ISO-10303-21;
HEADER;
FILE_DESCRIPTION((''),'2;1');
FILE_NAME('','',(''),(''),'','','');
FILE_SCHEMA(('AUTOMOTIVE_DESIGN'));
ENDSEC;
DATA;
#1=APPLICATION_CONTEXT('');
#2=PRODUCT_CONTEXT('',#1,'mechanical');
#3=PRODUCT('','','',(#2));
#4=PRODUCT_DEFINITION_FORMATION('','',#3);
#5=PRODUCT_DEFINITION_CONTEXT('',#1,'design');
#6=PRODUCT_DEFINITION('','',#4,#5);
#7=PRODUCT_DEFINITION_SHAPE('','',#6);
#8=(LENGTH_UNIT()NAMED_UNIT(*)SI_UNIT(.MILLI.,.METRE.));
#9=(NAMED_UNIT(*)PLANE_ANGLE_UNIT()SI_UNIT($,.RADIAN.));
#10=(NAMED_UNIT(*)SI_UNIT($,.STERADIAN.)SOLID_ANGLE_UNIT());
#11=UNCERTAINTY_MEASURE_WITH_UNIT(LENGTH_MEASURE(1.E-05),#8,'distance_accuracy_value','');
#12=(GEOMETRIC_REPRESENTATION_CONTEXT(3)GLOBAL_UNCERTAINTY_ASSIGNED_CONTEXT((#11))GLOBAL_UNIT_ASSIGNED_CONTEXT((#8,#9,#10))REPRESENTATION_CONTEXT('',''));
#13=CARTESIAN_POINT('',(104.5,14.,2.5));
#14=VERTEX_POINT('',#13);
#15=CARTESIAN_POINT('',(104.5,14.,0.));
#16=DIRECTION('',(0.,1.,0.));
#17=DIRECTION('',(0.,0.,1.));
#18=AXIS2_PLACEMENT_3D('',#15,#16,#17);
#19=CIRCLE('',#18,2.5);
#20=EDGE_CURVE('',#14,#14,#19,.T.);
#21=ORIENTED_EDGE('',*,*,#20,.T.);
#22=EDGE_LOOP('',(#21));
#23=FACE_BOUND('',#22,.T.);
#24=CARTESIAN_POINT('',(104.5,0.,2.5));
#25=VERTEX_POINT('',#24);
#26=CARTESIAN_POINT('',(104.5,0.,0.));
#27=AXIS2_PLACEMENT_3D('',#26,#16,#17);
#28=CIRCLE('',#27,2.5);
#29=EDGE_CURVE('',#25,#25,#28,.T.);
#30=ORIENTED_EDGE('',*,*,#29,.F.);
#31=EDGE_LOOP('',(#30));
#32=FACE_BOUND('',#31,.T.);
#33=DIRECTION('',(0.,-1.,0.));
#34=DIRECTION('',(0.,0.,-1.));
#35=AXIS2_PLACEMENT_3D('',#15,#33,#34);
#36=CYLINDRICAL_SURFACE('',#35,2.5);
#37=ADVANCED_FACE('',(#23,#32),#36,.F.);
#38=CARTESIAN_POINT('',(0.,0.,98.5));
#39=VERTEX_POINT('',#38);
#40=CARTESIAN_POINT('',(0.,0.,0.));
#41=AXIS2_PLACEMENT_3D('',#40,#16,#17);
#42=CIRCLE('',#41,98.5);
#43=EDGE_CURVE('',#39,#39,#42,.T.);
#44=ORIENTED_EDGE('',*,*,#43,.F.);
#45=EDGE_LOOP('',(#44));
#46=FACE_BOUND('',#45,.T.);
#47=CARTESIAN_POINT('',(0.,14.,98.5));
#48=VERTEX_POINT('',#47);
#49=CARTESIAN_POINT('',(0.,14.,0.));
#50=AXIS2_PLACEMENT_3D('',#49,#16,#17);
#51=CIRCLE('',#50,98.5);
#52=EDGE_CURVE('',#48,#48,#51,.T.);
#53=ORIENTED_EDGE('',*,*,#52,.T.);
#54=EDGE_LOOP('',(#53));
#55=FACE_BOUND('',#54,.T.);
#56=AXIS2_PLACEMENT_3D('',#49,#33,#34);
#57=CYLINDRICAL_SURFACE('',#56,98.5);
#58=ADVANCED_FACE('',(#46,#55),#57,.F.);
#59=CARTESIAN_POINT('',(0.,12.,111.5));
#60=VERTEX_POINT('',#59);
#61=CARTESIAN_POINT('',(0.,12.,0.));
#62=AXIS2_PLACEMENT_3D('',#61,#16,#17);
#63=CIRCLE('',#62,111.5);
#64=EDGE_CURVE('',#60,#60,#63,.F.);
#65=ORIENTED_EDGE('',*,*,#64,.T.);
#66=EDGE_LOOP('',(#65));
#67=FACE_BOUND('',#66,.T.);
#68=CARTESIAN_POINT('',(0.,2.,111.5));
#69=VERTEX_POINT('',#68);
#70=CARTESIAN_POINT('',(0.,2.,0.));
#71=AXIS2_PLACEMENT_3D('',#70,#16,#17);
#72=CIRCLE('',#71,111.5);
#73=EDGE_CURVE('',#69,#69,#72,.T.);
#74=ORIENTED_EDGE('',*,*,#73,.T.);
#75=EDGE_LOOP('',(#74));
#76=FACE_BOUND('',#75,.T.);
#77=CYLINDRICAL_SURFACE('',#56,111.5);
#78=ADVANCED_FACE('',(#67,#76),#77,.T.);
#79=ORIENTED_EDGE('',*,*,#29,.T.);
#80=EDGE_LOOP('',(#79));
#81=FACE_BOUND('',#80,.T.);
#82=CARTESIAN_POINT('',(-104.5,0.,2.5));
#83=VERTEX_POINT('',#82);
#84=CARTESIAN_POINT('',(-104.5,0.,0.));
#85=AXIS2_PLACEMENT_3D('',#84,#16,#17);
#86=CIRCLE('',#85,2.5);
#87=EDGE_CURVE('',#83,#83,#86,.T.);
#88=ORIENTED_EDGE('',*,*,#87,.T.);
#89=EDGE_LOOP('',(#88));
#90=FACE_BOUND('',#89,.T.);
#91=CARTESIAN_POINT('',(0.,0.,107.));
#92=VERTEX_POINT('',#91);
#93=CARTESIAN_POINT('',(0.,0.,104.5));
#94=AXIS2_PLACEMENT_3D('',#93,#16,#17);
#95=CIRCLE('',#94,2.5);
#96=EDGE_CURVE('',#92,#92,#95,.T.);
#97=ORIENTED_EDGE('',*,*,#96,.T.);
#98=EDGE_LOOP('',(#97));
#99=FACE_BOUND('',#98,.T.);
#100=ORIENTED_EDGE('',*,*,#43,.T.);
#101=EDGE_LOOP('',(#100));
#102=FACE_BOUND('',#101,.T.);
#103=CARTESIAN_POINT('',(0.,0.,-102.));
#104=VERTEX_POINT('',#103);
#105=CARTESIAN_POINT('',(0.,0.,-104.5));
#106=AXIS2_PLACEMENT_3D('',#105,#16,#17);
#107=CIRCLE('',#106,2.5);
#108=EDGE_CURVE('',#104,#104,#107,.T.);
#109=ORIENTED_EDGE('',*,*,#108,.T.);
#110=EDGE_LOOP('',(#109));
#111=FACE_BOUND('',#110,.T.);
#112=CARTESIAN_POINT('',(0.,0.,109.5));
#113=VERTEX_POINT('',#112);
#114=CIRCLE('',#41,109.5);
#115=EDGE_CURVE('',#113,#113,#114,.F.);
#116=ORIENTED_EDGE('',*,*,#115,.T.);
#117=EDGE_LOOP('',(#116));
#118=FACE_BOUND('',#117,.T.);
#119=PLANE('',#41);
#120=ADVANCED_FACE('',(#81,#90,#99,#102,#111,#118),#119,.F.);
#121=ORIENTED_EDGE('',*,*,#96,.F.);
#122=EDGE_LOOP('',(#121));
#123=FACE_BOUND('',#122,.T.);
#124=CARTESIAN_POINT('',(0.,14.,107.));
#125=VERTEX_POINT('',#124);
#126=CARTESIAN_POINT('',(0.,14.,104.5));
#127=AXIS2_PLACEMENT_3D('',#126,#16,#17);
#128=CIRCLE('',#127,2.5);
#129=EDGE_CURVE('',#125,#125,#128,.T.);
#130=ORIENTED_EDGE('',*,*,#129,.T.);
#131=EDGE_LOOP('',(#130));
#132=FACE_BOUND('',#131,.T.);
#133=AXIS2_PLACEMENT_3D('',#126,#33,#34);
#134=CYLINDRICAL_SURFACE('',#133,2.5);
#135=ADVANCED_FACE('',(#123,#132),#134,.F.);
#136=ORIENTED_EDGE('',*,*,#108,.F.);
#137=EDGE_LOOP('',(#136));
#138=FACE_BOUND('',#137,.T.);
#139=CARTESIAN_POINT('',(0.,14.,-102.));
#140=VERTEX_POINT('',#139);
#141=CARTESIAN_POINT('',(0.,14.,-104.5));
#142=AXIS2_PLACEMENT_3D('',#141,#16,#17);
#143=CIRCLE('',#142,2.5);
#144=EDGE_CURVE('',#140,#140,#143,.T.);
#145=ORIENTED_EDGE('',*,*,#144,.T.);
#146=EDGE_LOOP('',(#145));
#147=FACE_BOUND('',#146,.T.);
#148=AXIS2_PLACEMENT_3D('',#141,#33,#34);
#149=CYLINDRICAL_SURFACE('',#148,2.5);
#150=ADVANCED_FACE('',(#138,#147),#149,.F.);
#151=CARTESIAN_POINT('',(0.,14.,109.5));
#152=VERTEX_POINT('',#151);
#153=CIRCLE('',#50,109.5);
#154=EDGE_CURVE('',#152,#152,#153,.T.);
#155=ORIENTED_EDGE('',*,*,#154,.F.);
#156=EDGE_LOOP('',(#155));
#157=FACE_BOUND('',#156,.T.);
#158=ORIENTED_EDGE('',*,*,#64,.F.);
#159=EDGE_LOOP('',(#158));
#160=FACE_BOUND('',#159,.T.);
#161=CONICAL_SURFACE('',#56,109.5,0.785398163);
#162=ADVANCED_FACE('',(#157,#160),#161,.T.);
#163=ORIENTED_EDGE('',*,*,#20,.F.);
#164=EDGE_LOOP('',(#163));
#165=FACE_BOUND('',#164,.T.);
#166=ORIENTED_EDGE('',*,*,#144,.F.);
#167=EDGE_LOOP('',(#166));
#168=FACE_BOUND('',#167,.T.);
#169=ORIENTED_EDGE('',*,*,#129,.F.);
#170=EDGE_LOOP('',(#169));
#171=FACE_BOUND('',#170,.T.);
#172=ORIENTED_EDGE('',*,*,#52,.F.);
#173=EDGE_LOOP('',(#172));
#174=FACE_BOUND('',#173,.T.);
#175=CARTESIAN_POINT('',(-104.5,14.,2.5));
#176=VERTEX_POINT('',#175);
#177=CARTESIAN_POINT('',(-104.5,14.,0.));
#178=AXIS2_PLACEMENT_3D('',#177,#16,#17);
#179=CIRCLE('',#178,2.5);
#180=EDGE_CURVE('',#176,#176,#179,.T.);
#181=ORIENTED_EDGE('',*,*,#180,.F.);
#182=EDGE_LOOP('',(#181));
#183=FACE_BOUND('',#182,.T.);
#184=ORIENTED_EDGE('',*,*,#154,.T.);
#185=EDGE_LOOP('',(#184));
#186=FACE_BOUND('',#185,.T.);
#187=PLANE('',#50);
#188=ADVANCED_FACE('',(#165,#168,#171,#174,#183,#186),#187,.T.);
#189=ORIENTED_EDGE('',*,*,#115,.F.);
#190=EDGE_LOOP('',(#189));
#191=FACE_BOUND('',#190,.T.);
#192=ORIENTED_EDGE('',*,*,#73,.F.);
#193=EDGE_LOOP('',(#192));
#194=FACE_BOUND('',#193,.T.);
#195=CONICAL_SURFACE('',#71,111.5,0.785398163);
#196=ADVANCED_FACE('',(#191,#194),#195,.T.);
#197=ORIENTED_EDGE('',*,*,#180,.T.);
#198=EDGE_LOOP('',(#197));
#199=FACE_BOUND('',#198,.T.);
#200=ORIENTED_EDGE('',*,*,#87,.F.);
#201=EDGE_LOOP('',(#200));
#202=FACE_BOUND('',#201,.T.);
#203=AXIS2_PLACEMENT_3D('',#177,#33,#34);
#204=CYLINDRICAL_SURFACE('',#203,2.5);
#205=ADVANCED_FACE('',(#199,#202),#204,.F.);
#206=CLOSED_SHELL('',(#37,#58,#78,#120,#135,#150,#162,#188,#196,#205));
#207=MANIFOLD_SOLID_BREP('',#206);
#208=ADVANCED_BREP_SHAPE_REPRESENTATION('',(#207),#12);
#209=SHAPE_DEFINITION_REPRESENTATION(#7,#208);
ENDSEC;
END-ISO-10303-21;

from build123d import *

# Parameters (mm, degrees)
SKETCH1_R           = 111.5
SKETCH1_R_2         = 98.5
SKETCH1_R_3         = 2.5
BOSS_EXTRUDE1_DEPTH = 14
CHAMFER1_SIZE       = 2


with BuildPart() as part:
    # Sketch1 → Boss-Extrude1 (new body)
    with BuildSketch(Plane(origin=(0, 0, 0), x_dir=(1, 0, 0), z_dir=(0, 1, 0))):
        with Locations(Location((0, 0, 0), (0, 0, 270))):
            Circle(SKETCH1_R)
        with Locations(Location((0, 0, 0), (0, 0, 270))):
            Circle(SKETCH1_R_2, mode=Mode.SUBTRACT)
        with Locations(Location((0, 104.5, 0), (0, 0, 270))):
            Circle(SKETCH1_R_3, mode=Mode.SUBTRACT)
        with Locations(Location((104.5, 0, 0), (0, 0, 270))):
            Circle(SKETCH1_R_3, mode=Mode.SUBTRACT)
        with Locations(Location((0, -104.5, 0), (0, 0, 270))):
            Circle(SKETCH1_R_3, mode=Mode.SUBTRACT)
        with Locations(Location((-104.5, 0, 0), (0, 0, 270))):
            Circle(SKETCH1_R_3, mode=Mode.SUBTRACT)
    extrude(amount=BOSS_EXTRUDE1_DEPTH)

    # Chamfer1
    chamfer1_edges = [part.edges().sort_by_distance(p)[0] for p in [
        (0, 0, -111.5),
        (0, 14, -111.5),
    ]]
    chamfer(chamfer1_edges, length=CHAMFER1_SIZE)


solid = part.part
